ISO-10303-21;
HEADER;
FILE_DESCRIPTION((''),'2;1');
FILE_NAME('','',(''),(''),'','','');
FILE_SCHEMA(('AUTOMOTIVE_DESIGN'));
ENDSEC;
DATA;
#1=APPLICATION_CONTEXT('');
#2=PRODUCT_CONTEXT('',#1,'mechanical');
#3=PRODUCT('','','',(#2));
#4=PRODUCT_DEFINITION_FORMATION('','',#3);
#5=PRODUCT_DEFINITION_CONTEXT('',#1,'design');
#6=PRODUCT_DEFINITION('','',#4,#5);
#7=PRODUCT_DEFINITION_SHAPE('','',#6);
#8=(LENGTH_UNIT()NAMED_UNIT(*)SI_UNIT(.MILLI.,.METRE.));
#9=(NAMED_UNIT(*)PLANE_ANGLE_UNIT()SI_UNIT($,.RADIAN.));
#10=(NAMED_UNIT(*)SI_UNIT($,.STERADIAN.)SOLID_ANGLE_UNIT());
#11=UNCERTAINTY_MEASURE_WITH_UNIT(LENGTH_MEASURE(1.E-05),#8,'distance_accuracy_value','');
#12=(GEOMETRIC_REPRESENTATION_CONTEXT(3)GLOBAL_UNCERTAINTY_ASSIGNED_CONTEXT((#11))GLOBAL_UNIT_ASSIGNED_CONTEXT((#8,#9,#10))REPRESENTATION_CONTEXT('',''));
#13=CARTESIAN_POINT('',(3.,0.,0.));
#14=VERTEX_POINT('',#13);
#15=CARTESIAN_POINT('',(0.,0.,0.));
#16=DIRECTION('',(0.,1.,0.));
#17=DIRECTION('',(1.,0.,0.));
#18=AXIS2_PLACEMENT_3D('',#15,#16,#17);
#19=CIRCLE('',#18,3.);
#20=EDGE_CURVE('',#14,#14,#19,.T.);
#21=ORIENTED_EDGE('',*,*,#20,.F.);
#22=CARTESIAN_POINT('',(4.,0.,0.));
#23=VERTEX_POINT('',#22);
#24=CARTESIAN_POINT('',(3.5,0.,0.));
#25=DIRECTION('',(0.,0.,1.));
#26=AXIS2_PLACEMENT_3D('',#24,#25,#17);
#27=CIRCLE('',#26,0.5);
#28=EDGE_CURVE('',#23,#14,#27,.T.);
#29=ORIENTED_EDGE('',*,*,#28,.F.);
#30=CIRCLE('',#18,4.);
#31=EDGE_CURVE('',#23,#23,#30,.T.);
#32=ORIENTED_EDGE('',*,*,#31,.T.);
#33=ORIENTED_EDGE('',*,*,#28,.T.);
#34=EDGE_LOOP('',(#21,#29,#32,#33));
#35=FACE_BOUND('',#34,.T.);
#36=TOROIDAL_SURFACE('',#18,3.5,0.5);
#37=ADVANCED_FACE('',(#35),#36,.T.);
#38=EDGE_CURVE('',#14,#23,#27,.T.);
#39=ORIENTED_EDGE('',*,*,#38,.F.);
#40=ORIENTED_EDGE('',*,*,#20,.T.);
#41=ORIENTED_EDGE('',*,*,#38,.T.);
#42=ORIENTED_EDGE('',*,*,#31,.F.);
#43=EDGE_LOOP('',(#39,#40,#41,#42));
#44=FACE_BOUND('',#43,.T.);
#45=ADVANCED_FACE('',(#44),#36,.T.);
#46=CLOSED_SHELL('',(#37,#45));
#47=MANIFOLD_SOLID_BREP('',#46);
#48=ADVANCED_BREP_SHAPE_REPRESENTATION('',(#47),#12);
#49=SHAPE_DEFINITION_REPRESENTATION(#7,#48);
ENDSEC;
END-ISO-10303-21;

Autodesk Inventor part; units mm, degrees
ref_plane "YZ Plane" through (0, 0, 0) normal (1, 0, 0) x (0, 1, 0)
ref_plane "XZ Plane" through (0, 0, 0) normal (0, 1, 0) x (-1, 0, 0)
ref_plane "XY Plane" through (0, 0, 0) normal (0, 0, 1) x (1, 0, 0)
sketch "Sketch2" plane through (0, 0, 0) normal (0, 0, 1) x (1, 0, 0)
  circle A0 centre (3.5, 0) radius 0.5
  line L0 (3, 0) -> (0, 0)
  line L1 (0, 0) -> (0, 2.7044)
  dimension "d0" = 1
  dimension "d1" = 3
revolve "Revolution1" add sketch "Sketch2" angle 360 about axis through (0, 0, 0) along (0, 1, 0)
properties part number "outerORing"
